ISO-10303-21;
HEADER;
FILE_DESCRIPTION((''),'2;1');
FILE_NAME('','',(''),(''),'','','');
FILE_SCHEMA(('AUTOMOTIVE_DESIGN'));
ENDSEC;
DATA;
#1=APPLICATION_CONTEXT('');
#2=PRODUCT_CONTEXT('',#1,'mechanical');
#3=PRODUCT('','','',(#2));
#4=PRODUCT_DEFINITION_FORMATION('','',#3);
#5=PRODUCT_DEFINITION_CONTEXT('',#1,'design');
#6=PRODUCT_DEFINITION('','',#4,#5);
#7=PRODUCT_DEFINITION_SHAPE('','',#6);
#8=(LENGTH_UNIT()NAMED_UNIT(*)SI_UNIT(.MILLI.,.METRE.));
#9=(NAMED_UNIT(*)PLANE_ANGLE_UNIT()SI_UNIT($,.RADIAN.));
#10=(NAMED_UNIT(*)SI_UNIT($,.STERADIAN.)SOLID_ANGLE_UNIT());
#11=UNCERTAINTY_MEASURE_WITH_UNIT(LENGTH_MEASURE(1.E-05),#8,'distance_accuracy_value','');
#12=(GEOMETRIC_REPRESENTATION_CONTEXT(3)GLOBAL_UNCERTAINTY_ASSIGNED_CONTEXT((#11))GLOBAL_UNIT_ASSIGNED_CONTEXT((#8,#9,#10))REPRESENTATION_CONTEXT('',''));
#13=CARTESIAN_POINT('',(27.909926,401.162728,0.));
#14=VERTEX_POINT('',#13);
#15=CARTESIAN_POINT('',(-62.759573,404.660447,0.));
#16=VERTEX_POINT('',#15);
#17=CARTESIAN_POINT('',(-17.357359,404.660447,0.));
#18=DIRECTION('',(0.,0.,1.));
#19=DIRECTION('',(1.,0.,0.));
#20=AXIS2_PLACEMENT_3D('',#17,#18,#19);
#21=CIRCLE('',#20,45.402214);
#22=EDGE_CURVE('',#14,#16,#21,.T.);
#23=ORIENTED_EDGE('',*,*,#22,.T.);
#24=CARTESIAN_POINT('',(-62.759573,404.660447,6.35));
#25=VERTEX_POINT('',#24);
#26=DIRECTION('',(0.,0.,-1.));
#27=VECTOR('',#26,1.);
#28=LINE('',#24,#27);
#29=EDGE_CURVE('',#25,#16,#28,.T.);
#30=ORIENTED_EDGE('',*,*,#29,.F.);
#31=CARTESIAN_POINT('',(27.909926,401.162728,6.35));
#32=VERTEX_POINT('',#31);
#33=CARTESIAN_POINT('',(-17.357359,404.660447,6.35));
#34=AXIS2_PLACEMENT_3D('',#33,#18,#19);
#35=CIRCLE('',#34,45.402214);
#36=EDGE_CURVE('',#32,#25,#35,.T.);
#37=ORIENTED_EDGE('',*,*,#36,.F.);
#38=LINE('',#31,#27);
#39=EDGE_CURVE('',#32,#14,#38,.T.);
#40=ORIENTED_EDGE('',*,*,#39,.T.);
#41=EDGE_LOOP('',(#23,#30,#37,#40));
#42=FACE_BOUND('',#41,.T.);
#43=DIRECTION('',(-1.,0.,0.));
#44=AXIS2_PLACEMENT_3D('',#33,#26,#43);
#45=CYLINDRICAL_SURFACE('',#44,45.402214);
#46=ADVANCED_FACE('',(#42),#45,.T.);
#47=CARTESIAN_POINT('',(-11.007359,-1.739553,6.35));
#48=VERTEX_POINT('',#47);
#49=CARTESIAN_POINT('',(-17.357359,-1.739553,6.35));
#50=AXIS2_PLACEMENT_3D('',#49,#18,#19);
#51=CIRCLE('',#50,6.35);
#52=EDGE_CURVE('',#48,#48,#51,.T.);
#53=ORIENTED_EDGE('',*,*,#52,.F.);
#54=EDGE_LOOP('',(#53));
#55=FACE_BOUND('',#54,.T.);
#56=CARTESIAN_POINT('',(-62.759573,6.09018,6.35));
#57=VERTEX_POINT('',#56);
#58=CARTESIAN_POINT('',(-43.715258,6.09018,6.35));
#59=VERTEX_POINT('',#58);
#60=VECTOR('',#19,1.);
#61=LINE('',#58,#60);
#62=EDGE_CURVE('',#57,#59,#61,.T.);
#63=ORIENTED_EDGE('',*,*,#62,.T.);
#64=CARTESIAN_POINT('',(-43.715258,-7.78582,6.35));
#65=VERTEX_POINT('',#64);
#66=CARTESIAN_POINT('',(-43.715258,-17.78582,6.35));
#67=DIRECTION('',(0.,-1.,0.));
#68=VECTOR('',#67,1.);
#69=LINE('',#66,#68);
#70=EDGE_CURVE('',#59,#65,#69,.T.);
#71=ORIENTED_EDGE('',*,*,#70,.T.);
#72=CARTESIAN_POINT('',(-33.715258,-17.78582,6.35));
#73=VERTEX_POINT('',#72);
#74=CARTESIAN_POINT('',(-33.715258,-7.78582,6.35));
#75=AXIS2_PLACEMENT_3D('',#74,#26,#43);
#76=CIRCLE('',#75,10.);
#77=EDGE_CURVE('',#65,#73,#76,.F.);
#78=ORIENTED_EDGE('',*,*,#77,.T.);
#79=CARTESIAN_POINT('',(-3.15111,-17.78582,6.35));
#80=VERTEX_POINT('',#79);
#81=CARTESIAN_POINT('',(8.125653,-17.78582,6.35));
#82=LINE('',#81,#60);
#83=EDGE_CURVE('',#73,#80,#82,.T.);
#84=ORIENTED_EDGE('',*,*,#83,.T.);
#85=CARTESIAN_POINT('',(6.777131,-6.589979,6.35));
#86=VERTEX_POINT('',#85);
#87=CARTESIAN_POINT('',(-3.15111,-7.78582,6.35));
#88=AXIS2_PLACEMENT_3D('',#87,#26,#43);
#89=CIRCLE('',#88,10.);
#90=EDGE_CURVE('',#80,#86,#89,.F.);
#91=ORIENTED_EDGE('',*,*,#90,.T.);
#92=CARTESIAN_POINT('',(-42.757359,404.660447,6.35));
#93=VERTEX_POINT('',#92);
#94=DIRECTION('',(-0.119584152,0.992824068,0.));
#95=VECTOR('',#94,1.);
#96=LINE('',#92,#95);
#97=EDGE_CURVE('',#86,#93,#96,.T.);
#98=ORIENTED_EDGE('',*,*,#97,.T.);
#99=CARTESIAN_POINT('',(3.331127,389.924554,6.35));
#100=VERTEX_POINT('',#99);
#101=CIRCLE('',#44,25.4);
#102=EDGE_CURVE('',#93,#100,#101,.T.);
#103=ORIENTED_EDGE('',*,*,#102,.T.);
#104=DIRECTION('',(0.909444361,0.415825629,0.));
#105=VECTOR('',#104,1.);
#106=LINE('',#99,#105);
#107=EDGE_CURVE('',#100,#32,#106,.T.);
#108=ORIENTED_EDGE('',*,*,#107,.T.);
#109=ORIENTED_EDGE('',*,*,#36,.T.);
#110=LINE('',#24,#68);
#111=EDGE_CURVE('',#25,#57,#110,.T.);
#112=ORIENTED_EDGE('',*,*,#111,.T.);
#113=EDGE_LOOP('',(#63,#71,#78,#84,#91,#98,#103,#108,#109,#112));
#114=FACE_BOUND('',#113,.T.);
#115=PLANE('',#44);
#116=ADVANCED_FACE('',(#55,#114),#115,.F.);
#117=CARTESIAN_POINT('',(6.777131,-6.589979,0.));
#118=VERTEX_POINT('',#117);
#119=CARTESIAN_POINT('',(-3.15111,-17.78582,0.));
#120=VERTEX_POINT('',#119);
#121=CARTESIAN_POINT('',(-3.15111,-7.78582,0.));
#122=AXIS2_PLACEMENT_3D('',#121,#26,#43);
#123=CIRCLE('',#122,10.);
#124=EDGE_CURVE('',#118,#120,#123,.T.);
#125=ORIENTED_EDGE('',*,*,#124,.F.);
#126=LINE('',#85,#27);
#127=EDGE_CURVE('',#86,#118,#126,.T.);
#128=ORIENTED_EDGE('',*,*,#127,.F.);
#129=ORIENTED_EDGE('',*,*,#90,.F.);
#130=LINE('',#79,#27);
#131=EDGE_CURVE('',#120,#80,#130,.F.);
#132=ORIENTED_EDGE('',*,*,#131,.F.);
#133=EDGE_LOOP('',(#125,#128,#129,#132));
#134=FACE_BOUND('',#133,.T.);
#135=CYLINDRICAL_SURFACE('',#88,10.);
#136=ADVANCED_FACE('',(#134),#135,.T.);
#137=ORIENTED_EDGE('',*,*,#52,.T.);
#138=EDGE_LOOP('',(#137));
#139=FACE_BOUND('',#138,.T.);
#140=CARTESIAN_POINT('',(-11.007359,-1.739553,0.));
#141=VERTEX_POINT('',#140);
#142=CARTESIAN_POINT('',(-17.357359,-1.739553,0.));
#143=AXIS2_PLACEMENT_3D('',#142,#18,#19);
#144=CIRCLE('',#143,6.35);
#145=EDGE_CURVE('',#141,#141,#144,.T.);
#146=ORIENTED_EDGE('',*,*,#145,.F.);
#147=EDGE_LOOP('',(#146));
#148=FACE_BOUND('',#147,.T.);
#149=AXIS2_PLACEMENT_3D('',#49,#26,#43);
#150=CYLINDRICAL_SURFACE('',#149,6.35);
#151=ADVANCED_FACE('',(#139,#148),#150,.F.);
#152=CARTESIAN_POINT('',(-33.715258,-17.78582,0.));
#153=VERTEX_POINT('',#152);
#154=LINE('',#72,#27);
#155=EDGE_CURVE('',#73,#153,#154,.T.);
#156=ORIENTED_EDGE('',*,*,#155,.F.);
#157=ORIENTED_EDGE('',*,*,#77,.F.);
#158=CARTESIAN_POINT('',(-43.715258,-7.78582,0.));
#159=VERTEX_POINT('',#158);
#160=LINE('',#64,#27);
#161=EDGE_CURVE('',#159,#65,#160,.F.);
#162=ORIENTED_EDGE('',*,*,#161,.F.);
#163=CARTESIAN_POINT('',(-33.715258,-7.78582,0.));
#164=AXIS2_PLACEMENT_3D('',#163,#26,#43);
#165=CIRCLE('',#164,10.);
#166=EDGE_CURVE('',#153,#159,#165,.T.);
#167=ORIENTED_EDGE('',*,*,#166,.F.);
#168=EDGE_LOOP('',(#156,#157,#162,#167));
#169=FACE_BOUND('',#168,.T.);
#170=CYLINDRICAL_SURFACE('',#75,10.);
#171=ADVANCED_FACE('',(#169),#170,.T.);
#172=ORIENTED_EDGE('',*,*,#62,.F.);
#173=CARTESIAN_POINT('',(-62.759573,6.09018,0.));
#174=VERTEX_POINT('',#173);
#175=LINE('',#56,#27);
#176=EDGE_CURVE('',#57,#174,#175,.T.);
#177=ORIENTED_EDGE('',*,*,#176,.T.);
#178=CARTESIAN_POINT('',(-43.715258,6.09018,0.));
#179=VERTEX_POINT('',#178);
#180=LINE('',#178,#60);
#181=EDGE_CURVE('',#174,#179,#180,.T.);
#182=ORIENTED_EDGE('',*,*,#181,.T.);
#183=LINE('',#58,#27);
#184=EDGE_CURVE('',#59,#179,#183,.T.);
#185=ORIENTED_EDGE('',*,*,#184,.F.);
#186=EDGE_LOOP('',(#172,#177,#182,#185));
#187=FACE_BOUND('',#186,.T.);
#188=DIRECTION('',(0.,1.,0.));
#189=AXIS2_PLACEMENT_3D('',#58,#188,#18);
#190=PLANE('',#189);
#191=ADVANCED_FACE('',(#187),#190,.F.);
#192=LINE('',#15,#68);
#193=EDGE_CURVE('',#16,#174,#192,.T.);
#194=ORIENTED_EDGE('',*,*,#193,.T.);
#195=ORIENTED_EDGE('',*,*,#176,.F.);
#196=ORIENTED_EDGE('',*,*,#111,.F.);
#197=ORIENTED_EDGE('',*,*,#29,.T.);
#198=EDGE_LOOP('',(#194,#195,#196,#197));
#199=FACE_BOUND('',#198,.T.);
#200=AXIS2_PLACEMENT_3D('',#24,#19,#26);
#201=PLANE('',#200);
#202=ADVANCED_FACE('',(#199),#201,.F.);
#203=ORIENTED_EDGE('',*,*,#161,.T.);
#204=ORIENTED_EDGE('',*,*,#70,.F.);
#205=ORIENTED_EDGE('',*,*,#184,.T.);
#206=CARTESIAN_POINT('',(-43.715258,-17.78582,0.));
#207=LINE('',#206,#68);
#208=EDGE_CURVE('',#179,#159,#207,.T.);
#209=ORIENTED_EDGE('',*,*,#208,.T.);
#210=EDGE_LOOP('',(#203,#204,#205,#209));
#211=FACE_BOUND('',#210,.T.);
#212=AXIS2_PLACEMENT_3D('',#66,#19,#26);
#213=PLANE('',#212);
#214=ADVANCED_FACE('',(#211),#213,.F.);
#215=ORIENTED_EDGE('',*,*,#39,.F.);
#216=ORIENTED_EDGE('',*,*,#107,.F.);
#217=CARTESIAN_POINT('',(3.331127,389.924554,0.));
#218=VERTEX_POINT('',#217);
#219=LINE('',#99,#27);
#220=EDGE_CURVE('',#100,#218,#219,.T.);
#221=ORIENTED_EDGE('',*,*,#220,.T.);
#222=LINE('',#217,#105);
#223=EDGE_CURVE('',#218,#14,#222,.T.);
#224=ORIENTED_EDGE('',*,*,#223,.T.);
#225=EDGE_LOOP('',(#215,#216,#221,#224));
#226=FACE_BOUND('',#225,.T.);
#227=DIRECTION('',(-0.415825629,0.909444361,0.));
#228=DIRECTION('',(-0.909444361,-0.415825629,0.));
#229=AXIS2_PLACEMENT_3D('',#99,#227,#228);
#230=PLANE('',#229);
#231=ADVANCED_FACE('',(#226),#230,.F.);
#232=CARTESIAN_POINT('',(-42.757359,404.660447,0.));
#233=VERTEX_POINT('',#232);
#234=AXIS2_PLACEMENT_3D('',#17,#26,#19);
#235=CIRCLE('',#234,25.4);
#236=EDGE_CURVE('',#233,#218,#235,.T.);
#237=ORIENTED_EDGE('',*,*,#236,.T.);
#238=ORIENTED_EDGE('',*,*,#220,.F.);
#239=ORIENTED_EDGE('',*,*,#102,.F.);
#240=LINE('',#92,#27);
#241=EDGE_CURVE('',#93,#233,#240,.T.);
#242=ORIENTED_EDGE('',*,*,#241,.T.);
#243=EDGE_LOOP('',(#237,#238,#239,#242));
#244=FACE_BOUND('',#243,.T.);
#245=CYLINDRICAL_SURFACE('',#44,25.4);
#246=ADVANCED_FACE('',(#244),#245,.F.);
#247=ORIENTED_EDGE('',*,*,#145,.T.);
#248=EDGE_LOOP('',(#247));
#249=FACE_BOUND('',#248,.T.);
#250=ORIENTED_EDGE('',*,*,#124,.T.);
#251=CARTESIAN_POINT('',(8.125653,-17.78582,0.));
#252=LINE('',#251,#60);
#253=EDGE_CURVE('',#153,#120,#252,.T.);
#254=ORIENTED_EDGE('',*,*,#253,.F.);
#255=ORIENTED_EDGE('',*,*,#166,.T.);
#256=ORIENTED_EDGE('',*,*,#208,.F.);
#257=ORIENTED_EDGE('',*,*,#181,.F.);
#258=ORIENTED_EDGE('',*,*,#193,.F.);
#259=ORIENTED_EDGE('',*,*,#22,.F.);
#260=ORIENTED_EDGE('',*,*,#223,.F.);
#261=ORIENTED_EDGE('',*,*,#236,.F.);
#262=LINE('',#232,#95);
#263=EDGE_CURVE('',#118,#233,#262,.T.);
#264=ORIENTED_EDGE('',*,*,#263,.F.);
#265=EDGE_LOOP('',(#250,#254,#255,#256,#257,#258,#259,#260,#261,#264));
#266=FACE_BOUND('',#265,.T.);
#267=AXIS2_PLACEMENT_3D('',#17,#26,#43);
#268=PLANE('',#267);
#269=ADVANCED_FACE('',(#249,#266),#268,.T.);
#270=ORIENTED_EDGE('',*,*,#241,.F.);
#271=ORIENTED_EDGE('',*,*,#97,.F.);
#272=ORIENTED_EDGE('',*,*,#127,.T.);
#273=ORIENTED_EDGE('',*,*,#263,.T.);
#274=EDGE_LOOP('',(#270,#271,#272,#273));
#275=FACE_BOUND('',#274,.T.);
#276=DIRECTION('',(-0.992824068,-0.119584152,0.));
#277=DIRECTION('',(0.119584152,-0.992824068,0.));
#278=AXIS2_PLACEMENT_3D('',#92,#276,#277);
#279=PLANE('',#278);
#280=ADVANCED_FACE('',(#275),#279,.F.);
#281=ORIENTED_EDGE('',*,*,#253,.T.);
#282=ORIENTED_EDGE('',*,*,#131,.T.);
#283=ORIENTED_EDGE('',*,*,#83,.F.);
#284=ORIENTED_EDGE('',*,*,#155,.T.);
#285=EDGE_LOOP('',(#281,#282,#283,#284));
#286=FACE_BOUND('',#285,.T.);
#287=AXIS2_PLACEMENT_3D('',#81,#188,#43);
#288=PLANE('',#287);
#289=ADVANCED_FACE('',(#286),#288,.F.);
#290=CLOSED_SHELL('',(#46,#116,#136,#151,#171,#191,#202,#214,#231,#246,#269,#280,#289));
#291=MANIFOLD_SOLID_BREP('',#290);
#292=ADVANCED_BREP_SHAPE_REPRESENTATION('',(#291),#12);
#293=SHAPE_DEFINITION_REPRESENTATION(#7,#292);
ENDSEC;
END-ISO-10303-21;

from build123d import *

# Parameters (mm, degrees)
SKETCH1_R           = 6.35
BOSS_EXTRUDE1_DEPTH = 6.35
FILLET1_R           = 10


with BuildPart() as part:
    # Sketch1 → Boss-Extrude1 (new body)
    with BuildSketch(Plane.XY):
        with BuildLine():
            Line((3.331127109, 389.92455355), (27.90992579, 401.162728042))
            ThreePointArc((27.90992579, 401.162728042), (-15.607198263, 450.028916488), (-62.759573024, 404.660447113))
            Line((-62.759573024, 404.660447113), (-62.759573024, 6.090179643))
            Line((-62.759573024, 6.090179643), (-43.715258354, 6.090179643))
            Line((-43.715258354, 6.090179643), (-43.715258354, -17.785820357))
            Line((-43.715258354, -17.785820357), (8.125653236, -17.785820357))
            Line((8.125653236, -17.785820357), (-42.757358599, 404.660447113))
            ThreePointArc((-42.757358599, 404.660447113), (-17.357358599, 430.060447113), (8.042641401, 404.660447113))
            ThreePointArc((8.042641401, 404.660447113), (6.83610681, 396.925058855), (3.331127109, 389.92455355))
        make_face()
        with Locations((-17.357358599, -1.739552887)):
            Circle(SKETCH1_R, mode=Mode.SUBTRACT)
    extrude(amount=BOSS_EXTRUDE1_DEPTH)

    # Fillet1
    fillet1_edges = [part.edges().sort_by_distance(p)[0] for p in [
        (8.125653236, -17.785820357, 3.175),
        (-43.715258354, -17.785820357, 3.175),
    ]]
    fillet(fillet1_edges, radius=FILLET1_R)


solid = part.part
